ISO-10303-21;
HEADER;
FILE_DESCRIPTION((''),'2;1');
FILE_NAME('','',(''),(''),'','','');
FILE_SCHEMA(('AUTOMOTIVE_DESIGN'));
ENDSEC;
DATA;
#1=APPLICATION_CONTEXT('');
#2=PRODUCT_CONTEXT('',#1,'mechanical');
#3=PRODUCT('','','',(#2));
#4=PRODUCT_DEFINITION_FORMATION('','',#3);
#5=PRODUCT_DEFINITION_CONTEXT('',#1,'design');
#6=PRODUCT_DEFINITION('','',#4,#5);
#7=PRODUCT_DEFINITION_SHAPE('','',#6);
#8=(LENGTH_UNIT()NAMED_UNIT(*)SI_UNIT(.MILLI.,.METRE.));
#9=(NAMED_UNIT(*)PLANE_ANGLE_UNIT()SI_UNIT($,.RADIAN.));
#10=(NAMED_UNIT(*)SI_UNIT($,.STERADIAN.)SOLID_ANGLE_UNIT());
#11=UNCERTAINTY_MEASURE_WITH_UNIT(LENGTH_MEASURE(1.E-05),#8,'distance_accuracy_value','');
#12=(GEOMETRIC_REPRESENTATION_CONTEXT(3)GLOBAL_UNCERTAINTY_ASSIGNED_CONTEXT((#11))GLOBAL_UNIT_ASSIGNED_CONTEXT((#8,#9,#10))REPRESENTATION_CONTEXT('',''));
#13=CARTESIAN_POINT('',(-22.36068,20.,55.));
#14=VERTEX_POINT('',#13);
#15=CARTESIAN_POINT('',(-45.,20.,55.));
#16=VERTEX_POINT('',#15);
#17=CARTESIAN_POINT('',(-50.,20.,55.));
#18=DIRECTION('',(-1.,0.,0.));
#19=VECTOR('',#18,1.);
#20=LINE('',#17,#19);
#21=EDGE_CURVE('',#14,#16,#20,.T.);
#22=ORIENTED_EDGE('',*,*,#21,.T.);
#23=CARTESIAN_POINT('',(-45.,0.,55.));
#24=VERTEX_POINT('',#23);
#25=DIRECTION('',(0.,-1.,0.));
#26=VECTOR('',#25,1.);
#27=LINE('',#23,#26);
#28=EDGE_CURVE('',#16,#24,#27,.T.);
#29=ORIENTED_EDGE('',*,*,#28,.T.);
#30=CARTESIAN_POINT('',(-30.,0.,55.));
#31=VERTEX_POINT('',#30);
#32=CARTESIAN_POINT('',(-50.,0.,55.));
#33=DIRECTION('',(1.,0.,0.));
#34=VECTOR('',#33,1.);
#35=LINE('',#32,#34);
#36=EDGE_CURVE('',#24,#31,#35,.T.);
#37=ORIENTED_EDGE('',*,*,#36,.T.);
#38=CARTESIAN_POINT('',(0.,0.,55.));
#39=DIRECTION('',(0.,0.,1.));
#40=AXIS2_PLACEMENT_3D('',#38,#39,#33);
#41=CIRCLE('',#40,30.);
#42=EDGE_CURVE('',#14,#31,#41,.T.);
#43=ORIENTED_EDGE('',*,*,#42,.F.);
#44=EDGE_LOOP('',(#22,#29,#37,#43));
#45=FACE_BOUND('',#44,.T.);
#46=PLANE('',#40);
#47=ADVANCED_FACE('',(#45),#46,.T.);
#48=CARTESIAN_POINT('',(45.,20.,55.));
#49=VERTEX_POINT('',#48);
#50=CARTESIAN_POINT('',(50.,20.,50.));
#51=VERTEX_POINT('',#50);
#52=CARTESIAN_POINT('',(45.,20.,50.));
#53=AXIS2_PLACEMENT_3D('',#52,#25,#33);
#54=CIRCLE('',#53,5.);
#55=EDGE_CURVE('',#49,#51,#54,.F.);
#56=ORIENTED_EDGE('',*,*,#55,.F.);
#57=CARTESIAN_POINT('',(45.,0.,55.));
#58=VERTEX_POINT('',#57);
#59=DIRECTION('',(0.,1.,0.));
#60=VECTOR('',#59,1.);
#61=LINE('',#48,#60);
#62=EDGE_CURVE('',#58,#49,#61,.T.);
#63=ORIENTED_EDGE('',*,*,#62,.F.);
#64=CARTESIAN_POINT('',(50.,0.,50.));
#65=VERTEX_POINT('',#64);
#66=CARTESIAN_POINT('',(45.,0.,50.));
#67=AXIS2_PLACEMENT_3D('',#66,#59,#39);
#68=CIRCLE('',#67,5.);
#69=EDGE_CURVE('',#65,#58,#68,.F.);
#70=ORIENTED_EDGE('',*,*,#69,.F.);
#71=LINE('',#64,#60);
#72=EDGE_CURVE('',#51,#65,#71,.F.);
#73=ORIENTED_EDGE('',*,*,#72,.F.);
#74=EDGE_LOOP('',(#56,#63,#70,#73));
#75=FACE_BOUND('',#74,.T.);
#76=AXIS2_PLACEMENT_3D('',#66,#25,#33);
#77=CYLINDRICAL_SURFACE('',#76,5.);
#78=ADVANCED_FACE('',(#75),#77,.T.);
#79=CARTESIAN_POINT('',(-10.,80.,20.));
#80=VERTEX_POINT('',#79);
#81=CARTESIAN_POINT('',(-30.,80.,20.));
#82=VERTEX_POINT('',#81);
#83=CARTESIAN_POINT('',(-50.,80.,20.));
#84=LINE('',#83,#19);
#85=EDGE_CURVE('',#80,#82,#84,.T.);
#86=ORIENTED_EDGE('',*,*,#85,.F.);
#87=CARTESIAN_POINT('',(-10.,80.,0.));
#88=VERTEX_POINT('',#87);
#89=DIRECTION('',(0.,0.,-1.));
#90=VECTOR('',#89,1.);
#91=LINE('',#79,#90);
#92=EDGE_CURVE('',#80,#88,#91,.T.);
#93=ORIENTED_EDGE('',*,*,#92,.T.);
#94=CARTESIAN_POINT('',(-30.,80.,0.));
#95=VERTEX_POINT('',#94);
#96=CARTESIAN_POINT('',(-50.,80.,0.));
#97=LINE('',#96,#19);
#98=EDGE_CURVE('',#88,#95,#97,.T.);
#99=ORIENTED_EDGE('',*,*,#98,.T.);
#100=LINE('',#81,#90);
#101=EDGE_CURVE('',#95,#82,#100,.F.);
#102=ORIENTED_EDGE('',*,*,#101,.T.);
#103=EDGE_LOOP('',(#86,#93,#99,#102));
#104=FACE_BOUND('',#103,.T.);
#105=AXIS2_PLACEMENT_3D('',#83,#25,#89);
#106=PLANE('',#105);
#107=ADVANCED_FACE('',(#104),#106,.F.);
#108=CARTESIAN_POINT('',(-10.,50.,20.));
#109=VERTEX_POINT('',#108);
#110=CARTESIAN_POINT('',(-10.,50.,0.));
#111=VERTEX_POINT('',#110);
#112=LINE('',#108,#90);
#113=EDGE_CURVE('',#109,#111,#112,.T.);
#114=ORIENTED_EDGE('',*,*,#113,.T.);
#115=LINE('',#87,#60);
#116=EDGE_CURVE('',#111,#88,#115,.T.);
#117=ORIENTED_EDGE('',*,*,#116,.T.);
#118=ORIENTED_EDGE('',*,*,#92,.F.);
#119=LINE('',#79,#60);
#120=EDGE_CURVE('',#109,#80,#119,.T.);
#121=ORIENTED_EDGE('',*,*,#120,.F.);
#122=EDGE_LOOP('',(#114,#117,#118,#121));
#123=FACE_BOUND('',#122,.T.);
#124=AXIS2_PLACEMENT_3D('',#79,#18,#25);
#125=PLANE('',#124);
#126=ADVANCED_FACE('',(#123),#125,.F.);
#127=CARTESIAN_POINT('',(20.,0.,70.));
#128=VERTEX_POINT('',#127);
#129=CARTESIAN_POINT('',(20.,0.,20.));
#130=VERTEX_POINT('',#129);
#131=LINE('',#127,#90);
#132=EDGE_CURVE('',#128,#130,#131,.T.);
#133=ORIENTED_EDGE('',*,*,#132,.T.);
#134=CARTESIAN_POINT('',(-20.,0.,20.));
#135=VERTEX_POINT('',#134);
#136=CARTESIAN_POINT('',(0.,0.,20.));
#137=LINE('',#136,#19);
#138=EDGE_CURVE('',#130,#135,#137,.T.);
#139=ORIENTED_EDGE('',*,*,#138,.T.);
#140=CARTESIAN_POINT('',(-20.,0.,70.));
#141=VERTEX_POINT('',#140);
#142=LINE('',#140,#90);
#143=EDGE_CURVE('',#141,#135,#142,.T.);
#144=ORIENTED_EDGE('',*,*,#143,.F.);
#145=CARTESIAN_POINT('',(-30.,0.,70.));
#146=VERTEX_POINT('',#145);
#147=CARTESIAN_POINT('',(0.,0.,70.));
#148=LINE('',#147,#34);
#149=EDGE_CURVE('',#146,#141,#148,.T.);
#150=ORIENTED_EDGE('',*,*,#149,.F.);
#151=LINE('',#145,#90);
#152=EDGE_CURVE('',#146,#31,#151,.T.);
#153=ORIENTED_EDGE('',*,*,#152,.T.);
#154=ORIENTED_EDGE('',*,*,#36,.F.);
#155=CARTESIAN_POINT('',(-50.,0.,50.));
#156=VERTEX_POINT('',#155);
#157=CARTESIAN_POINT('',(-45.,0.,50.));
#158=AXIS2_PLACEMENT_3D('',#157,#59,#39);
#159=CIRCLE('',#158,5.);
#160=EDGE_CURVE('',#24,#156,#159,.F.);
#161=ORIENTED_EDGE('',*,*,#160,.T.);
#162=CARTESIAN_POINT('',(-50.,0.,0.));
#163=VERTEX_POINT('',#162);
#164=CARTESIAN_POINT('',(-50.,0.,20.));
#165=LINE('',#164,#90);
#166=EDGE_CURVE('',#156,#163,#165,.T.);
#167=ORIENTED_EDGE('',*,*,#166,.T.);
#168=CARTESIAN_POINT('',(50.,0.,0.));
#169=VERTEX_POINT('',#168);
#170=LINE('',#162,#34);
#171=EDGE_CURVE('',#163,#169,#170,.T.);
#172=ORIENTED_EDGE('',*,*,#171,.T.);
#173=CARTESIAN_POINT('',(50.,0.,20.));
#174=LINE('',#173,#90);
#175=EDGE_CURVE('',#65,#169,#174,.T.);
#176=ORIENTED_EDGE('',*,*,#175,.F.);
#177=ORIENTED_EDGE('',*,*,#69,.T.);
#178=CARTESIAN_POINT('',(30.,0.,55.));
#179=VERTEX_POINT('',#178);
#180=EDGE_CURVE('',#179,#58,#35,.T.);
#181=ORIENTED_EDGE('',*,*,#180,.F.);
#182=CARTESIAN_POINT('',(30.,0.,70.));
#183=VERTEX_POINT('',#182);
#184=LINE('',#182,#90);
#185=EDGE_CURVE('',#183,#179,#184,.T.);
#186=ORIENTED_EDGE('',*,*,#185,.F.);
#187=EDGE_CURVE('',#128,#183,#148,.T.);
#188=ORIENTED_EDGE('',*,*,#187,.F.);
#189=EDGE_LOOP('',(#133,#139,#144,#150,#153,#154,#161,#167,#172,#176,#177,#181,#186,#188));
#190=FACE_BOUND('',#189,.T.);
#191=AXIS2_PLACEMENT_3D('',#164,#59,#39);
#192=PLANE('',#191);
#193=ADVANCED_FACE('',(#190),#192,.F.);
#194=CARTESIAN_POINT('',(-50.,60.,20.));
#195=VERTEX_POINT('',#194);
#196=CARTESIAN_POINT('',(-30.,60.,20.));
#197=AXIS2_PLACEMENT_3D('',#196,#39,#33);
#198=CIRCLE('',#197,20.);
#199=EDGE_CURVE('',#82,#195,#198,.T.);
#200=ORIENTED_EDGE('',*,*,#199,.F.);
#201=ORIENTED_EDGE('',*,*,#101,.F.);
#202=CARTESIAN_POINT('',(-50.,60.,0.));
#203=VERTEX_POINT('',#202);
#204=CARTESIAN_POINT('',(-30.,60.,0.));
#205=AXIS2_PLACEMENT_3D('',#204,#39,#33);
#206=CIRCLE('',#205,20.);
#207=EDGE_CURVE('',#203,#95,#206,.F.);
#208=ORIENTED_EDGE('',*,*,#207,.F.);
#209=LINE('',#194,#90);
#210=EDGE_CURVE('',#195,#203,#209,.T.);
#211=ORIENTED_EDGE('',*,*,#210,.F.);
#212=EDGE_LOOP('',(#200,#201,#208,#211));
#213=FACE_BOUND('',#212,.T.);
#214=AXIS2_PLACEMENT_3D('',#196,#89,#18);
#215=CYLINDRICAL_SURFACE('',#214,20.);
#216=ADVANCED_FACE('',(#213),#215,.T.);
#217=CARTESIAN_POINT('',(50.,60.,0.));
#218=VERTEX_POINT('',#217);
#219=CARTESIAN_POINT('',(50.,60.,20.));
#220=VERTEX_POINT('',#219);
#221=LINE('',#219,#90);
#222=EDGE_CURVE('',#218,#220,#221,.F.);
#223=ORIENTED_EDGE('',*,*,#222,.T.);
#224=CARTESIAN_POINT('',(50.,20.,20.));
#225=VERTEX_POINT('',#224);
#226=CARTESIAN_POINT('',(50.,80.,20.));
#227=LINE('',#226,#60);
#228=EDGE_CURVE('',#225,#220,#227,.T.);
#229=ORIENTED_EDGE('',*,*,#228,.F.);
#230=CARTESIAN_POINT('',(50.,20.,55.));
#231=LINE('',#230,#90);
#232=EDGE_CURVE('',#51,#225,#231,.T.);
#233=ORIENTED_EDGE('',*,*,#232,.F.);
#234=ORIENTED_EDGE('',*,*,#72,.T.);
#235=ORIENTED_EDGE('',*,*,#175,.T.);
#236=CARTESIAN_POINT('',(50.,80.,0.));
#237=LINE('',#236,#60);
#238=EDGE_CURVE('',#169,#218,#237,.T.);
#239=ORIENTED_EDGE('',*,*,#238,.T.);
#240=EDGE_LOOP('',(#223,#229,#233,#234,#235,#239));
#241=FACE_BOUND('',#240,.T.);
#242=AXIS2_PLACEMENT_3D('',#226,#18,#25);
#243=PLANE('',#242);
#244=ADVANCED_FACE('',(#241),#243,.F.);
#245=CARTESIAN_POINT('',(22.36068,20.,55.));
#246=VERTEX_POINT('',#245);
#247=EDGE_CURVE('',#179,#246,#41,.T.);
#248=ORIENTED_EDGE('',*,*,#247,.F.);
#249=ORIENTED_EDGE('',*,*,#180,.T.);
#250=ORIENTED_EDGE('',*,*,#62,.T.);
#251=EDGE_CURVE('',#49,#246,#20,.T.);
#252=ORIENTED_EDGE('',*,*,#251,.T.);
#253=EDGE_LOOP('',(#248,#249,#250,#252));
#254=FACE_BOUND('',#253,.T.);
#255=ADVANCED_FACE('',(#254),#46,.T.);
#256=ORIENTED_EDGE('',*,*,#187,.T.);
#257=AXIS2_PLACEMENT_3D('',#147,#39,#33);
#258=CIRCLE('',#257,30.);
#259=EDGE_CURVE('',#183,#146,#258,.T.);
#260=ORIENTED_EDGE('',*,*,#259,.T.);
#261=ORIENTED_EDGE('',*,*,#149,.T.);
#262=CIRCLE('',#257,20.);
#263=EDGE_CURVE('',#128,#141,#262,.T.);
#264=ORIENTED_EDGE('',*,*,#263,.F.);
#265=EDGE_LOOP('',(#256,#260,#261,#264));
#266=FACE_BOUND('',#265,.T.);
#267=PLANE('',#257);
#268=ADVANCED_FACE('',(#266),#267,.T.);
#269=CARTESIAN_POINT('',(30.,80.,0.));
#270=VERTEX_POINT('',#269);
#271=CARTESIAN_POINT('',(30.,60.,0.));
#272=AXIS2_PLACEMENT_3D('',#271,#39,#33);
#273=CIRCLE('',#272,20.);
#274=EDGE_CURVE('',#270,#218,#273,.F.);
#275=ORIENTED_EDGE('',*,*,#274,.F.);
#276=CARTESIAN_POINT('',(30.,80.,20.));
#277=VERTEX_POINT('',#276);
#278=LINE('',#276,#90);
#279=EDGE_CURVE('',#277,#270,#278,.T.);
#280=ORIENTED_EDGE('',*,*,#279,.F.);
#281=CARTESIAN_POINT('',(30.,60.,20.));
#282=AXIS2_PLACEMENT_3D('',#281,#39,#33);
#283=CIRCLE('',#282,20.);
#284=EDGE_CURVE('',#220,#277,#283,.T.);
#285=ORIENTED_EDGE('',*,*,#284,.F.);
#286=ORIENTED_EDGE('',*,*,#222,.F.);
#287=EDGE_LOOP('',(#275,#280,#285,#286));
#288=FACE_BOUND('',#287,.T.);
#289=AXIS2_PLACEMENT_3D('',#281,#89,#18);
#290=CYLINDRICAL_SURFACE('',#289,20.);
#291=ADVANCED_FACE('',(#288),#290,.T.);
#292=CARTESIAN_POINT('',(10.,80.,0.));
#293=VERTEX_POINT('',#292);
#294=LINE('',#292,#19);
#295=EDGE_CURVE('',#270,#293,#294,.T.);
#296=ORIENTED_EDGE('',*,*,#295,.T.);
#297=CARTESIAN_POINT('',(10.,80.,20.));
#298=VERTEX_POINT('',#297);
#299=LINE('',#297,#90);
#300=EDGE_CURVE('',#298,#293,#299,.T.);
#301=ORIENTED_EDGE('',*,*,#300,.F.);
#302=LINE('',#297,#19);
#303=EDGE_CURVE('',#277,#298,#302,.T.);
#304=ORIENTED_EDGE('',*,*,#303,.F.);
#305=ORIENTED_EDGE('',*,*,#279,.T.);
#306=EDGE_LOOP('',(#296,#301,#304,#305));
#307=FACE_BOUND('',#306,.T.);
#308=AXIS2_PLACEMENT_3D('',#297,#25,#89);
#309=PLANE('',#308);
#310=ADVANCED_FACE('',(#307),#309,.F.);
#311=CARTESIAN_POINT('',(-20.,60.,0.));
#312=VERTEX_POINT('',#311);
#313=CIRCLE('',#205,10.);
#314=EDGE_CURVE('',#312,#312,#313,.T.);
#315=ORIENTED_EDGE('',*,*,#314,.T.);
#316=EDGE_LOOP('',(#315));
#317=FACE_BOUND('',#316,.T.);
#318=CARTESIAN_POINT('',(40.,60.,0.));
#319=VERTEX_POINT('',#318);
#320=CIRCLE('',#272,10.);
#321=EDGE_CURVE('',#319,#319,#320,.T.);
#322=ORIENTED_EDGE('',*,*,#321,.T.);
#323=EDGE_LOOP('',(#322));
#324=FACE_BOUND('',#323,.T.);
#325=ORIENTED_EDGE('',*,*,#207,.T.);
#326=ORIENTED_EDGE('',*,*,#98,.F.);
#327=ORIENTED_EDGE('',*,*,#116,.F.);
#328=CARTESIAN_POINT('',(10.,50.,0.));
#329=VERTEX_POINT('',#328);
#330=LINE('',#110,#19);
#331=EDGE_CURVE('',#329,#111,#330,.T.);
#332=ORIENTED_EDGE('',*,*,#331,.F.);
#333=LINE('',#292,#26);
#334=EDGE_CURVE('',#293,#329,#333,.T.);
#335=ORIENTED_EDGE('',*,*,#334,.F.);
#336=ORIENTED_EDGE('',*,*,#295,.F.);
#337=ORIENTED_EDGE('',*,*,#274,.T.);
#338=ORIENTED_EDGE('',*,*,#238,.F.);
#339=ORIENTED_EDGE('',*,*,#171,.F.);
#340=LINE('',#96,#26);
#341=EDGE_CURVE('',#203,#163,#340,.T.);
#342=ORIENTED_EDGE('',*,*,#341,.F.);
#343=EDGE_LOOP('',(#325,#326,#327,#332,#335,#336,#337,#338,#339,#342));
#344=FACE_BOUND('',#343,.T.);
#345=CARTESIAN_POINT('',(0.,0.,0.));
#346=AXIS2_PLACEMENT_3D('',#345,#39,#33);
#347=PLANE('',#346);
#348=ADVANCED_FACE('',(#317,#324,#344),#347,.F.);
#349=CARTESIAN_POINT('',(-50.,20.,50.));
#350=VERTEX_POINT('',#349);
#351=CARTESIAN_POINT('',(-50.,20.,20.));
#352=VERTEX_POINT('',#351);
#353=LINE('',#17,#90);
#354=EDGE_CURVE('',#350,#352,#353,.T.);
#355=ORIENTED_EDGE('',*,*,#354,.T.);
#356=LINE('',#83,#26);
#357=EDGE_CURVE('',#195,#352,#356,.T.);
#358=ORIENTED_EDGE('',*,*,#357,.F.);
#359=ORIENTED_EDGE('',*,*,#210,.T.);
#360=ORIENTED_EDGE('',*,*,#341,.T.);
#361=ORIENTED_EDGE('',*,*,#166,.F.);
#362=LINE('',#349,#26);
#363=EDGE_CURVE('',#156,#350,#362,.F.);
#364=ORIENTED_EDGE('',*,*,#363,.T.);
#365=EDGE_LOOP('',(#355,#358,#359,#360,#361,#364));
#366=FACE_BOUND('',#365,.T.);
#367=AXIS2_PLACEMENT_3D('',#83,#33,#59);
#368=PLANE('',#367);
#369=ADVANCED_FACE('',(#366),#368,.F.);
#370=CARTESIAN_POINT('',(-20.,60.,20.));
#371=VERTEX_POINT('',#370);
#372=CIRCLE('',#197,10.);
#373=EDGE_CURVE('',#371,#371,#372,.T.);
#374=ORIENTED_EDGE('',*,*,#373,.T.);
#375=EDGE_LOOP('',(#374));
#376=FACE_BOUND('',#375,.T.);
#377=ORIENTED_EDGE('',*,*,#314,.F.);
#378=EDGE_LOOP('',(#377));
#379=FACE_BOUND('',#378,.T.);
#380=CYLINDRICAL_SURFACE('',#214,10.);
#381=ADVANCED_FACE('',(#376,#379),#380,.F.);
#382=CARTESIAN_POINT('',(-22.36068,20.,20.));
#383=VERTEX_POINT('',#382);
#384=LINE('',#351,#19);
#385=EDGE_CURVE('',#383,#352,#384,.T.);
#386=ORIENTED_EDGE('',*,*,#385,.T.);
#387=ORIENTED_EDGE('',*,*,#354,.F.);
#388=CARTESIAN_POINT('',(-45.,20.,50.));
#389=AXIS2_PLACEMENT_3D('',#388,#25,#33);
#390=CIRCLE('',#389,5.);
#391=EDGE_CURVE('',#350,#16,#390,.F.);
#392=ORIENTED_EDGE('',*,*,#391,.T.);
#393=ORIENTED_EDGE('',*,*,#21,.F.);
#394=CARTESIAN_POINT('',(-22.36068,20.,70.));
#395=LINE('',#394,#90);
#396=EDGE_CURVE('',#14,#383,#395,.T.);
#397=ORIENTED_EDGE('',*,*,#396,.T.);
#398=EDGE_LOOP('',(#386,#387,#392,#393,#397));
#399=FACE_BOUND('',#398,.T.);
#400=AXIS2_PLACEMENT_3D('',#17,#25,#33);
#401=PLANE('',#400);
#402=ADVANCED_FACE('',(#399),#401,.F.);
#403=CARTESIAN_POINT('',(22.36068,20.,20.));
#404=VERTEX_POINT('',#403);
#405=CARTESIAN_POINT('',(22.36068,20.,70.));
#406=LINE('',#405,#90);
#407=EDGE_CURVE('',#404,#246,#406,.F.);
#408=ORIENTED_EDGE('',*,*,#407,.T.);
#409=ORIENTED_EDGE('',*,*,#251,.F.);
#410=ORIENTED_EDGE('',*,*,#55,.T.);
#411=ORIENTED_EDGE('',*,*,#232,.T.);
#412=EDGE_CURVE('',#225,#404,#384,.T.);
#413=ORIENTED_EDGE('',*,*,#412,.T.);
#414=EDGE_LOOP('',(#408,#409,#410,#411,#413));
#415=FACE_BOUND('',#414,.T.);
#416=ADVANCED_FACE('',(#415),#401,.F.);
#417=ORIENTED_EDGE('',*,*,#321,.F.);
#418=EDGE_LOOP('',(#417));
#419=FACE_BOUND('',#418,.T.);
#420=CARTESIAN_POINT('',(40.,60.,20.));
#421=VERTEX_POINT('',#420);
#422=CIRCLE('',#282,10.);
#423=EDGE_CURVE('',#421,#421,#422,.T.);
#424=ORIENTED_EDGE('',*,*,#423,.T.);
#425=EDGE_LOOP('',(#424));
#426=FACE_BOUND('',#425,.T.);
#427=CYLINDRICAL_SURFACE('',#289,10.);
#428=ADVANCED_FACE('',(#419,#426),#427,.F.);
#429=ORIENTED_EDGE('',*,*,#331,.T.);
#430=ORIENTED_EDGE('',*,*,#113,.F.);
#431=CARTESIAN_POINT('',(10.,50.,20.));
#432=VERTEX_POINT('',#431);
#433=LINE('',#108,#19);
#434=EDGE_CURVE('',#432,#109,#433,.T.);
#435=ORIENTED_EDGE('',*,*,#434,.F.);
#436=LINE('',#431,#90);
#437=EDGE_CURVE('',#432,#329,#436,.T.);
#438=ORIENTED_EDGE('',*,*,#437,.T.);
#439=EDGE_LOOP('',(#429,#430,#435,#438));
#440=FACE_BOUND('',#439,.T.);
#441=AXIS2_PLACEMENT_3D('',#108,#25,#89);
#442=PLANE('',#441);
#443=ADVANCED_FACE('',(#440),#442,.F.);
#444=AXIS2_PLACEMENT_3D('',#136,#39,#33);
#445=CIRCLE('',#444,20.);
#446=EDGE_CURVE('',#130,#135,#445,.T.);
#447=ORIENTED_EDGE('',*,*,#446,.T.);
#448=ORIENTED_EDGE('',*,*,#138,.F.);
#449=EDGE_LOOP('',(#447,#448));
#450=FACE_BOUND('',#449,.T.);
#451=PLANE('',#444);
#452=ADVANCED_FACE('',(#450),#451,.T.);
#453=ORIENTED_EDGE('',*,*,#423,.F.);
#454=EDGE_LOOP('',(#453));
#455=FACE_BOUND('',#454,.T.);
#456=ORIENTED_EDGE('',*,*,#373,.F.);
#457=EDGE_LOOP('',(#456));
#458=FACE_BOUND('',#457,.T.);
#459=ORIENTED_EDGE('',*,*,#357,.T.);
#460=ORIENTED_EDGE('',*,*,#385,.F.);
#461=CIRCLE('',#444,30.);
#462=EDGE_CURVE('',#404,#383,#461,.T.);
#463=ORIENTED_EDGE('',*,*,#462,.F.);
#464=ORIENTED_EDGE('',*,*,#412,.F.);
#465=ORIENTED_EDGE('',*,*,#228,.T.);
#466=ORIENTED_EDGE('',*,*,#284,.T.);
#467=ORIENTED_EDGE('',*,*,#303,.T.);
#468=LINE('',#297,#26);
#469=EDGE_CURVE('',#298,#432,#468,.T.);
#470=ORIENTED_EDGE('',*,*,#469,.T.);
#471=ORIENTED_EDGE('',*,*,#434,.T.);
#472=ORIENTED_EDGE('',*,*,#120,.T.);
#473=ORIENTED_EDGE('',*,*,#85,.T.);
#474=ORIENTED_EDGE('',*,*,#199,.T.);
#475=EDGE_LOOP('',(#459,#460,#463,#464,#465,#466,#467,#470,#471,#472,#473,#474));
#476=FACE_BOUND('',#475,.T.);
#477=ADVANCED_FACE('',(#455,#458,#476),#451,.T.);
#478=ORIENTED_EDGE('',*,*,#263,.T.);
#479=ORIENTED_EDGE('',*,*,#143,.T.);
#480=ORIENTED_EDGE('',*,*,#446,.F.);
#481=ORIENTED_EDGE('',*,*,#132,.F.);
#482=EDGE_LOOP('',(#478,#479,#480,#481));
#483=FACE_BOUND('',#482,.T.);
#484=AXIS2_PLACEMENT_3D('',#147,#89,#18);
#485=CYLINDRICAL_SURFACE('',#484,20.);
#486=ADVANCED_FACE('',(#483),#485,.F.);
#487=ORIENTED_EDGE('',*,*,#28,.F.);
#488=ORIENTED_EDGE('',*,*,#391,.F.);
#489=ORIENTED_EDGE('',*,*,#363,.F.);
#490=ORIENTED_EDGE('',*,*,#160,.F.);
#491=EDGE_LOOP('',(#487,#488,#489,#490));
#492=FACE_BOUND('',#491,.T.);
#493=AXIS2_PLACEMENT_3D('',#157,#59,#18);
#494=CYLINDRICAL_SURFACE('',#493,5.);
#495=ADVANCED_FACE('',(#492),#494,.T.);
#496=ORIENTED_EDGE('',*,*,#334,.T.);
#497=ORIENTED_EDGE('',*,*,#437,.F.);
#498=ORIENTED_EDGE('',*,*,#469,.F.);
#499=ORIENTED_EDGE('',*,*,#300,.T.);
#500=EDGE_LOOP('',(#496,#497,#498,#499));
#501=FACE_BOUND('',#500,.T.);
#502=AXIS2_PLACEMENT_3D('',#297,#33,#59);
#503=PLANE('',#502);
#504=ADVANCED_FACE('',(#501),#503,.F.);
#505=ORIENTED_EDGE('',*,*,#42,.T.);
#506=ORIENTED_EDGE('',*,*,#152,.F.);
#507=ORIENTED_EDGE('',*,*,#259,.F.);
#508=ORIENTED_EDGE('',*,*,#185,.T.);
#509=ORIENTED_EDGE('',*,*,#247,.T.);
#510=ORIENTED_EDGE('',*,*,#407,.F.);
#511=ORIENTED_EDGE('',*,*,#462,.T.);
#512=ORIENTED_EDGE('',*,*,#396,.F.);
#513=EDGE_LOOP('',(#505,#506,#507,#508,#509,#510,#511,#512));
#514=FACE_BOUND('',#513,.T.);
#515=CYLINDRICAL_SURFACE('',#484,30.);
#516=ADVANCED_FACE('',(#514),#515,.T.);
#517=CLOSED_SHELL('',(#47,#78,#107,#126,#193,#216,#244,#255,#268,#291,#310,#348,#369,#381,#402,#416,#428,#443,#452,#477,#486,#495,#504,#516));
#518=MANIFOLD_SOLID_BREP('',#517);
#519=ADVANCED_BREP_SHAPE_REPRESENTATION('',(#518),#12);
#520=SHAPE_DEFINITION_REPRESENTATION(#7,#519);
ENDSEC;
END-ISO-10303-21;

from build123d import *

# Parameters (mm, degrees)
SKETCH_1_R          = 10
EXTRUDE_1_DEPTH     = 20
FILLET_1_R          = 20
EXTRUDE_2_DEPTH     = 50
SKETCH_3_W          = 100
SKETCH_3_H          = 20
EXTRUDE_3_DEPTH     = 35
FILLET_2_R          = 5
CUT_EXTRUDE_START   = -50
CUT_EXTRUDE_1_DEPTH = 50


with BuildPart() as part:
    # 草圖1 → 填料-伸長1 (new body)
    with BuildSketch(Plane.XY):
        Polygon((-50, 80), (-10, 80), (-10, 50), (10, 50), (10, 80), (50, 80), (50, 0), (-50, 0), align=None)
        with Locations((-30, 60)):
            Circle(SKETCH_1_R, mode=Mode.SUBTRACT)
        with Locations((30, 60)):
            Circle(SKETCH_1_R, mode=Mode.SUBTRACT)
    extrude(amount=EXTRUDE_1_DEPTH)

    # 圓角1
    fillet_1_edges = [part.edges().sort_by_distance(p)[0] for p in [
        (-50, 80, 10),
        (50, 80, 10),
    ]]
    fillet(fillet_1_edges, radius=FILLET_1_R)

    # 草圖2 → 填料-伸長2 (add)
    with BuildSketch(Plane.XY.offset(20)):
        with BuildLine():
            ThreePointArc((-20, 0), (0, 20), (20, 0))
            Line((20, 0), (30, 0))
            ThreePointArc((30, 0), (0, 30), (-30, 0))
            Line((-30, 0), (-20, 0))
        make_face()
    extrude(amount=EXTRUDE_2_DEPTH)

    # 草圖3 → 填料-伸長3 (add)
    with BuildSketch(Plane.XY.offset(20)):
        with Locations((0, 10)):
            Rectangle(SKETCH_3_W, SKETCH_3_H)
    extrude(amount=EXTRUDE_3_DEPTH)

    # 圓角2
    fillet_2_edges = [part.edges().sort_by_distance(p)[0] for p in [
        (50, 10, 55),
        (-50, 10, 55),
    ]]
    fillet(fillet_2_edges, radius=FILLET_2_R)

    # 草圖4 → 除料-伸長1 (cut)
    with BuildSketch(Plane.XY.offset(70).offset(CUT_EXTRUDE_START)):
        with BuildLine():
            Line((-20, 0), (20, 0))
            ThreePointArc((20, 0), (0, 20), (-20, 0))
        make_face()
    extrude(amount=CUT_EXTRUDE_1_DEPTH, mode=Mode.SUBTRACT)


solid = part.part
